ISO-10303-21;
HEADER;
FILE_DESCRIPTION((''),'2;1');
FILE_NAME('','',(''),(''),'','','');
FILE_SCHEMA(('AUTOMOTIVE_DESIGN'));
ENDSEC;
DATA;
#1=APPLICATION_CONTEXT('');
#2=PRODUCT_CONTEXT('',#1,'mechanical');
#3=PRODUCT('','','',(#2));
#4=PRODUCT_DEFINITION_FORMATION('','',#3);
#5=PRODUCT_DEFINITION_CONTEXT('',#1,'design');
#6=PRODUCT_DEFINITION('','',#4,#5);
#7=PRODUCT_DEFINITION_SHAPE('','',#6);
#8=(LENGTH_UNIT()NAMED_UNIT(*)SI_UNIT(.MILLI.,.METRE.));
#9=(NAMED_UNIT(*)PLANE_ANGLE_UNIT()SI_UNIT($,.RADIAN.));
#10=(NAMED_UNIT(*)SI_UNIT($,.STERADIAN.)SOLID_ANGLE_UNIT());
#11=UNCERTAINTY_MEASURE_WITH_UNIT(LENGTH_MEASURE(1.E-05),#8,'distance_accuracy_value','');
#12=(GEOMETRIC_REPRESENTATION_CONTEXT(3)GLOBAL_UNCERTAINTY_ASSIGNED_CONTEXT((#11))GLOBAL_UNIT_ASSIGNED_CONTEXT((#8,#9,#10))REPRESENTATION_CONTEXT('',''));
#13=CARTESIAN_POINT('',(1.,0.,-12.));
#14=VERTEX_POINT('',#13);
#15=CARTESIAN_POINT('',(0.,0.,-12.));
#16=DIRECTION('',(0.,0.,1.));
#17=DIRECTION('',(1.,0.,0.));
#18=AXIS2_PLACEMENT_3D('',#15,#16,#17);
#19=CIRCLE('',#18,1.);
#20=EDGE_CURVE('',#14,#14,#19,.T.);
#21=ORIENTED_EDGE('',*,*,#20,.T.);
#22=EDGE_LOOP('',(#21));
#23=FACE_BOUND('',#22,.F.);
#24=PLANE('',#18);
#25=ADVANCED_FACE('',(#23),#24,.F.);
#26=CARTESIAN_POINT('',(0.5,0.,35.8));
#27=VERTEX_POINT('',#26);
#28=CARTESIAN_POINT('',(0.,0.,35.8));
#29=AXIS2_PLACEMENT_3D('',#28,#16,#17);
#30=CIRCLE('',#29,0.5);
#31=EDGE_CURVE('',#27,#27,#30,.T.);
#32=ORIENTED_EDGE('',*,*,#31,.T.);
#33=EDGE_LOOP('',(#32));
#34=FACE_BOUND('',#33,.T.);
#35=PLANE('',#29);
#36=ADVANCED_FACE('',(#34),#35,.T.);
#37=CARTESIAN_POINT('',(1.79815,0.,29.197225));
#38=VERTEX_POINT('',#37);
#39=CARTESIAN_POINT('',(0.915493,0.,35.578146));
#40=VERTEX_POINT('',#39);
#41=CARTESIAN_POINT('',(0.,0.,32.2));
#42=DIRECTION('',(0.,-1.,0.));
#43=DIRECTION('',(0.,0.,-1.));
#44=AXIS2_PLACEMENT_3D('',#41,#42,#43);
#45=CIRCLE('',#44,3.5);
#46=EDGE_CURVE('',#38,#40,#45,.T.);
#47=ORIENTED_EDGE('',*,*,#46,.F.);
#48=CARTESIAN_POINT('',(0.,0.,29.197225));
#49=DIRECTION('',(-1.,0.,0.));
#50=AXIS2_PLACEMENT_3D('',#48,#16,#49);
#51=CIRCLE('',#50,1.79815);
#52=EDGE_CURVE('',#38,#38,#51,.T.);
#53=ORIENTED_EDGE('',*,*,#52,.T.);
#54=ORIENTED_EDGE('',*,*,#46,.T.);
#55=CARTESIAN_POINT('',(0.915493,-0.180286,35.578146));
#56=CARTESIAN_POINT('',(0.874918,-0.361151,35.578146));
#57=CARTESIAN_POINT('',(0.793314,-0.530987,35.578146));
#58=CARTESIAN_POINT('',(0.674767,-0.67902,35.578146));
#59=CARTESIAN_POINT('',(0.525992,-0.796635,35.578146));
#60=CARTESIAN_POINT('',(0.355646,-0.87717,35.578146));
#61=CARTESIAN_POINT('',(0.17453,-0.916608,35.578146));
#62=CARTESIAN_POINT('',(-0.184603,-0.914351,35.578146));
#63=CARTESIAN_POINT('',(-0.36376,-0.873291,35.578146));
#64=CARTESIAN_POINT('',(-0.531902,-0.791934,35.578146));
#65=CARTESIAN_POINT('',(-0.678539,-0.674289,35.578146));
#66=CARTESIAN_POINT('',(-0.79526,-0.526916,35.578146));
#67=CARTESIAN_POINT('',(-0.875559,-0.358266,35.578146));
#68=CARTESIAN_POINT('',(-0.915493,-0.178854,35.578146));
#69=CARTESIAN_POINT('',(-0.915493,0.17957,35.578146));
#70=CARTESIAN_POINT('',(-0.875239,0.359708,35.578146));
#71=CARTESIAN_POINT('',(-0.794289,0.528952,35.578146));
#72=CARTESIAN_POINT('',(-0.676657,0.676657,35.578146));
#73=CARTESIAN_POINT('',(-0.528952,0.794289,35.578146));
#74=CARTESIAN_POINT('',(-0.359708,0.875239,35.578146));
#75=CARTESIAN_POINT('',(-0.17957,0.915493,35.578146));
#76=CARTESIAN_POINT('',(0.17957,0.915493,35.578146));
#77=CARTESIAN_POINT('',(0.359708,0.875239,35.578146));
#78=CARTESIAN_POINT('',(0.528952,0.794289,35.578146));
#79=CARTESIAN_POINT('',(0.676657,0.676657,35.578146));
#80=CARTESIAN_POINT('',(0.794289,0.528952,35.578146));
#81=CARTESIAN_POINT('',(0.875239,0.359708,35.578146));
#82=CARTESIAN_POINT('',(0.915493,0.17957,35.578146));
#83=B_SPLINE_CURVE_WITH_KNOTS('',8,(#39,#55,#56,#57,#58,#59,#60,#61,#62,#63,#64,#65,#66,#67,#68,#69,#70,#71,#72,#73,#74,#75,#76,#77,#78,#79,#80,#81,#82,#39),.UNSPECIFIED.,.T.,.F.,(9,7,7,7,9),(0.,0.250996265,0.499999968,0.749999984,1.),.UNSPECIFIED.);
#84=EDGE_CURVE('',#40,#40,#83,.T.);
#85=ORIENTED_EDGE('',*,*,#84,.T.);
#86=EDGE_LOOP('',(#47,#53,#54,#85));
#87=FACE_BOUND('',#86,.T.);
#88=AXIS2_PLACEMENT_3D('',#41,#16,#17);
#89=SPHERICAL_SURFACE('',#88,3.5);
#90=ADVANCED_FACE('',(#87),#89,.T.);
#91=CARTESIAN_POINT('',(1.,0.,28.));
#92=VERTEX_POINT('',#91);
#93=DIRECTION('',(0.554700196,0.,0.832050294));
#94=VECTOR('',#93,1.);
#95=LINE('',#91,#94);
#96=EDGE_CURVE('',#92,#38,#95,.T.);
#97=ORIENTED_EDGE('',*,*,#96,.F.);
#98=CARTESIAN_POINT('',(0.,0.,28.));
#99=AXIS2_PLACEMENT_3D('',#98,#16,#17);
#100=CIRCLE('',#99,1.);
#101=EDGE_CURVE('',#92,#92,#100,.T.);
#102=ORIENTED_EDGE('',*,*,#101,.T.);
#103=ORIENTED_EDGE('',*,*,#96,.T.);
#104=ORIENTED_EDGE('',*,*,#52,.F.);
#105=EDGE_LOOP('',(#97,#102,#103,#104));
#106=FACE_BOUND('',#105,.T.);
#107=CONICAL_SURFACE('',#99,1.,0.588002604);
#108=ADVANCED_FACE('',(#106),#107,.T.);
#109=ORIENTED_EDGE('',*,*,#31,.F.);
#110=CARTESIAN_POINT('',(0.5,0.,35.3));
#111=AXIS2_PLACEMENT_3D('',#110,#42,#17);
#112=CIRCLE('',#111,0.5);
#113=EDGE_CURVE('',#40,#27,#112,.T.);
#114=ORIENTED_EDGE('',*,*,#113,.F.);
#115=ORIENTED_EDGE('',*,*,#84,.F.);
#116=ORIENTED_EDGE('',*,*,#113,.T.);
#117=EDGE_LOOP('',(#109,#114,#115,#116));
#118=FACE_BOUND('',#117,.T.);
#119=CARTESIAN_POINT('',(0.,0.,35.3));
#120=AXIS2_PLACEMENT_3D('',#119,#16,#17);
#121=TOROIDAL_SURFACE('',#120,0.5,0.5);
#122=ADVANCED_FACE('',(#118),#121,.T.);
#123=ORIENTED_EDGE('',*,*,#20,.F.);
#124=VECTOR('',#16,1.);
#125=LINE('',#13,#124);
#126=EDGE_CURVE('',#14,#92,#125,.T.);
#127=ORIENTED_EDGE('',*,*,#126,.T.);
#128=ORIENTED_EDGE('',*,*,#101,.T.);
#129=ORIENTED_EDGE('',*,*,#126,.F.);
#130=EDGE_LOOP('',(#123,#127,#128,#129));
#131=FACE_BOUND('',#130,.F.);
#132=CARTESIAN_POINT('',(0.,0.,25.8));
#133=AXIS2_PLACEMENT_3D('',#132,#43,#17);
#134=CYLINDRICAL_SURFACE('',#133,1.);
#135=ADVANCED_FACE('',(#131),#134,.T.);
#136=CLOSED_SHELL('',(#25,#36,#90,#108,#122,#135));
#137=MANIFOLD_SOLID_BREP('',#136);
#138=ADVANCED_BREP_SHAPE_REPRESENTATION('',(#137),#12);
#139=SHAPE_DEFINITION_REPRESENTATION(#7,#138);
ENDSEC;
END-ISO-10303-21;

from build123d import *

# Parameters (mm, degrees)
CYLINDER_R        = 1
CYLINDER_DEPTH    = 40
CYLINDER001_R     = 1
CYLINDER001_DEPTH = 10
FILLET_R          = 0.5


with BuildPart() as esfera:
    # Sphere → Sphere (revolve)
    with BuildSketch(Plane(origin=(0, 0, 32.2), x_dir=(1, 0, 0), z_dir=(0, -1, 0))):
        with BuildLine():
            ThreePointArc((0, -3.5), (3.5, 0), (0, 3.5))
            Line((0, 3.5), (0, -3.5))
        make_face()
    revolve(axis=Axis((0, 0, 32.2), (0, 0, 1)))


with BuildPart() as cono:
    # Cone → Cone (revolve)
    with BuildSketch(Plane(origin=(0, 0, 28), x_dir=(1, 0, 0), z_dir=(0, -1, 0))):
        Polygon((0, 0), (1, 0), (3, 3), (0, 3), align=None)
    revolve(axis=Axis((0, 0, 28), (0, 0, 1)))


with BuildPart() as fusion:
    # Cylinder → Cylinder (new body)
    with BuildSketch(Plane.XY.offset(-12)):
        Circle(CYLINDER_R)
    extrude(amount=CYLINDER_DEPTH)

    # Fusion: union Cono
    add(cono.part)


with BuildPart() as fusion002:
    # Cylinder001 → Cylinder001 (new body)
    with BuildSketch(Plane.XY.offset(25.8)):
        Circle(CYLINDER001_R)
    extrude(amount=CYLINDER001_DEPTH)

    # Fillet
    fillet_edges = [fusion002.edges().sort_by_distance(p)[0] for p in [
        (-1, 0, 35.8),
    ]]
    fillet(fillet_edges, radius=FILLET_R)

    # Fusion001: union Fusion
    add(fusion.part)

    # Fusion002: union Esfera
    add(esfera.part)


solid = fusion002.part
